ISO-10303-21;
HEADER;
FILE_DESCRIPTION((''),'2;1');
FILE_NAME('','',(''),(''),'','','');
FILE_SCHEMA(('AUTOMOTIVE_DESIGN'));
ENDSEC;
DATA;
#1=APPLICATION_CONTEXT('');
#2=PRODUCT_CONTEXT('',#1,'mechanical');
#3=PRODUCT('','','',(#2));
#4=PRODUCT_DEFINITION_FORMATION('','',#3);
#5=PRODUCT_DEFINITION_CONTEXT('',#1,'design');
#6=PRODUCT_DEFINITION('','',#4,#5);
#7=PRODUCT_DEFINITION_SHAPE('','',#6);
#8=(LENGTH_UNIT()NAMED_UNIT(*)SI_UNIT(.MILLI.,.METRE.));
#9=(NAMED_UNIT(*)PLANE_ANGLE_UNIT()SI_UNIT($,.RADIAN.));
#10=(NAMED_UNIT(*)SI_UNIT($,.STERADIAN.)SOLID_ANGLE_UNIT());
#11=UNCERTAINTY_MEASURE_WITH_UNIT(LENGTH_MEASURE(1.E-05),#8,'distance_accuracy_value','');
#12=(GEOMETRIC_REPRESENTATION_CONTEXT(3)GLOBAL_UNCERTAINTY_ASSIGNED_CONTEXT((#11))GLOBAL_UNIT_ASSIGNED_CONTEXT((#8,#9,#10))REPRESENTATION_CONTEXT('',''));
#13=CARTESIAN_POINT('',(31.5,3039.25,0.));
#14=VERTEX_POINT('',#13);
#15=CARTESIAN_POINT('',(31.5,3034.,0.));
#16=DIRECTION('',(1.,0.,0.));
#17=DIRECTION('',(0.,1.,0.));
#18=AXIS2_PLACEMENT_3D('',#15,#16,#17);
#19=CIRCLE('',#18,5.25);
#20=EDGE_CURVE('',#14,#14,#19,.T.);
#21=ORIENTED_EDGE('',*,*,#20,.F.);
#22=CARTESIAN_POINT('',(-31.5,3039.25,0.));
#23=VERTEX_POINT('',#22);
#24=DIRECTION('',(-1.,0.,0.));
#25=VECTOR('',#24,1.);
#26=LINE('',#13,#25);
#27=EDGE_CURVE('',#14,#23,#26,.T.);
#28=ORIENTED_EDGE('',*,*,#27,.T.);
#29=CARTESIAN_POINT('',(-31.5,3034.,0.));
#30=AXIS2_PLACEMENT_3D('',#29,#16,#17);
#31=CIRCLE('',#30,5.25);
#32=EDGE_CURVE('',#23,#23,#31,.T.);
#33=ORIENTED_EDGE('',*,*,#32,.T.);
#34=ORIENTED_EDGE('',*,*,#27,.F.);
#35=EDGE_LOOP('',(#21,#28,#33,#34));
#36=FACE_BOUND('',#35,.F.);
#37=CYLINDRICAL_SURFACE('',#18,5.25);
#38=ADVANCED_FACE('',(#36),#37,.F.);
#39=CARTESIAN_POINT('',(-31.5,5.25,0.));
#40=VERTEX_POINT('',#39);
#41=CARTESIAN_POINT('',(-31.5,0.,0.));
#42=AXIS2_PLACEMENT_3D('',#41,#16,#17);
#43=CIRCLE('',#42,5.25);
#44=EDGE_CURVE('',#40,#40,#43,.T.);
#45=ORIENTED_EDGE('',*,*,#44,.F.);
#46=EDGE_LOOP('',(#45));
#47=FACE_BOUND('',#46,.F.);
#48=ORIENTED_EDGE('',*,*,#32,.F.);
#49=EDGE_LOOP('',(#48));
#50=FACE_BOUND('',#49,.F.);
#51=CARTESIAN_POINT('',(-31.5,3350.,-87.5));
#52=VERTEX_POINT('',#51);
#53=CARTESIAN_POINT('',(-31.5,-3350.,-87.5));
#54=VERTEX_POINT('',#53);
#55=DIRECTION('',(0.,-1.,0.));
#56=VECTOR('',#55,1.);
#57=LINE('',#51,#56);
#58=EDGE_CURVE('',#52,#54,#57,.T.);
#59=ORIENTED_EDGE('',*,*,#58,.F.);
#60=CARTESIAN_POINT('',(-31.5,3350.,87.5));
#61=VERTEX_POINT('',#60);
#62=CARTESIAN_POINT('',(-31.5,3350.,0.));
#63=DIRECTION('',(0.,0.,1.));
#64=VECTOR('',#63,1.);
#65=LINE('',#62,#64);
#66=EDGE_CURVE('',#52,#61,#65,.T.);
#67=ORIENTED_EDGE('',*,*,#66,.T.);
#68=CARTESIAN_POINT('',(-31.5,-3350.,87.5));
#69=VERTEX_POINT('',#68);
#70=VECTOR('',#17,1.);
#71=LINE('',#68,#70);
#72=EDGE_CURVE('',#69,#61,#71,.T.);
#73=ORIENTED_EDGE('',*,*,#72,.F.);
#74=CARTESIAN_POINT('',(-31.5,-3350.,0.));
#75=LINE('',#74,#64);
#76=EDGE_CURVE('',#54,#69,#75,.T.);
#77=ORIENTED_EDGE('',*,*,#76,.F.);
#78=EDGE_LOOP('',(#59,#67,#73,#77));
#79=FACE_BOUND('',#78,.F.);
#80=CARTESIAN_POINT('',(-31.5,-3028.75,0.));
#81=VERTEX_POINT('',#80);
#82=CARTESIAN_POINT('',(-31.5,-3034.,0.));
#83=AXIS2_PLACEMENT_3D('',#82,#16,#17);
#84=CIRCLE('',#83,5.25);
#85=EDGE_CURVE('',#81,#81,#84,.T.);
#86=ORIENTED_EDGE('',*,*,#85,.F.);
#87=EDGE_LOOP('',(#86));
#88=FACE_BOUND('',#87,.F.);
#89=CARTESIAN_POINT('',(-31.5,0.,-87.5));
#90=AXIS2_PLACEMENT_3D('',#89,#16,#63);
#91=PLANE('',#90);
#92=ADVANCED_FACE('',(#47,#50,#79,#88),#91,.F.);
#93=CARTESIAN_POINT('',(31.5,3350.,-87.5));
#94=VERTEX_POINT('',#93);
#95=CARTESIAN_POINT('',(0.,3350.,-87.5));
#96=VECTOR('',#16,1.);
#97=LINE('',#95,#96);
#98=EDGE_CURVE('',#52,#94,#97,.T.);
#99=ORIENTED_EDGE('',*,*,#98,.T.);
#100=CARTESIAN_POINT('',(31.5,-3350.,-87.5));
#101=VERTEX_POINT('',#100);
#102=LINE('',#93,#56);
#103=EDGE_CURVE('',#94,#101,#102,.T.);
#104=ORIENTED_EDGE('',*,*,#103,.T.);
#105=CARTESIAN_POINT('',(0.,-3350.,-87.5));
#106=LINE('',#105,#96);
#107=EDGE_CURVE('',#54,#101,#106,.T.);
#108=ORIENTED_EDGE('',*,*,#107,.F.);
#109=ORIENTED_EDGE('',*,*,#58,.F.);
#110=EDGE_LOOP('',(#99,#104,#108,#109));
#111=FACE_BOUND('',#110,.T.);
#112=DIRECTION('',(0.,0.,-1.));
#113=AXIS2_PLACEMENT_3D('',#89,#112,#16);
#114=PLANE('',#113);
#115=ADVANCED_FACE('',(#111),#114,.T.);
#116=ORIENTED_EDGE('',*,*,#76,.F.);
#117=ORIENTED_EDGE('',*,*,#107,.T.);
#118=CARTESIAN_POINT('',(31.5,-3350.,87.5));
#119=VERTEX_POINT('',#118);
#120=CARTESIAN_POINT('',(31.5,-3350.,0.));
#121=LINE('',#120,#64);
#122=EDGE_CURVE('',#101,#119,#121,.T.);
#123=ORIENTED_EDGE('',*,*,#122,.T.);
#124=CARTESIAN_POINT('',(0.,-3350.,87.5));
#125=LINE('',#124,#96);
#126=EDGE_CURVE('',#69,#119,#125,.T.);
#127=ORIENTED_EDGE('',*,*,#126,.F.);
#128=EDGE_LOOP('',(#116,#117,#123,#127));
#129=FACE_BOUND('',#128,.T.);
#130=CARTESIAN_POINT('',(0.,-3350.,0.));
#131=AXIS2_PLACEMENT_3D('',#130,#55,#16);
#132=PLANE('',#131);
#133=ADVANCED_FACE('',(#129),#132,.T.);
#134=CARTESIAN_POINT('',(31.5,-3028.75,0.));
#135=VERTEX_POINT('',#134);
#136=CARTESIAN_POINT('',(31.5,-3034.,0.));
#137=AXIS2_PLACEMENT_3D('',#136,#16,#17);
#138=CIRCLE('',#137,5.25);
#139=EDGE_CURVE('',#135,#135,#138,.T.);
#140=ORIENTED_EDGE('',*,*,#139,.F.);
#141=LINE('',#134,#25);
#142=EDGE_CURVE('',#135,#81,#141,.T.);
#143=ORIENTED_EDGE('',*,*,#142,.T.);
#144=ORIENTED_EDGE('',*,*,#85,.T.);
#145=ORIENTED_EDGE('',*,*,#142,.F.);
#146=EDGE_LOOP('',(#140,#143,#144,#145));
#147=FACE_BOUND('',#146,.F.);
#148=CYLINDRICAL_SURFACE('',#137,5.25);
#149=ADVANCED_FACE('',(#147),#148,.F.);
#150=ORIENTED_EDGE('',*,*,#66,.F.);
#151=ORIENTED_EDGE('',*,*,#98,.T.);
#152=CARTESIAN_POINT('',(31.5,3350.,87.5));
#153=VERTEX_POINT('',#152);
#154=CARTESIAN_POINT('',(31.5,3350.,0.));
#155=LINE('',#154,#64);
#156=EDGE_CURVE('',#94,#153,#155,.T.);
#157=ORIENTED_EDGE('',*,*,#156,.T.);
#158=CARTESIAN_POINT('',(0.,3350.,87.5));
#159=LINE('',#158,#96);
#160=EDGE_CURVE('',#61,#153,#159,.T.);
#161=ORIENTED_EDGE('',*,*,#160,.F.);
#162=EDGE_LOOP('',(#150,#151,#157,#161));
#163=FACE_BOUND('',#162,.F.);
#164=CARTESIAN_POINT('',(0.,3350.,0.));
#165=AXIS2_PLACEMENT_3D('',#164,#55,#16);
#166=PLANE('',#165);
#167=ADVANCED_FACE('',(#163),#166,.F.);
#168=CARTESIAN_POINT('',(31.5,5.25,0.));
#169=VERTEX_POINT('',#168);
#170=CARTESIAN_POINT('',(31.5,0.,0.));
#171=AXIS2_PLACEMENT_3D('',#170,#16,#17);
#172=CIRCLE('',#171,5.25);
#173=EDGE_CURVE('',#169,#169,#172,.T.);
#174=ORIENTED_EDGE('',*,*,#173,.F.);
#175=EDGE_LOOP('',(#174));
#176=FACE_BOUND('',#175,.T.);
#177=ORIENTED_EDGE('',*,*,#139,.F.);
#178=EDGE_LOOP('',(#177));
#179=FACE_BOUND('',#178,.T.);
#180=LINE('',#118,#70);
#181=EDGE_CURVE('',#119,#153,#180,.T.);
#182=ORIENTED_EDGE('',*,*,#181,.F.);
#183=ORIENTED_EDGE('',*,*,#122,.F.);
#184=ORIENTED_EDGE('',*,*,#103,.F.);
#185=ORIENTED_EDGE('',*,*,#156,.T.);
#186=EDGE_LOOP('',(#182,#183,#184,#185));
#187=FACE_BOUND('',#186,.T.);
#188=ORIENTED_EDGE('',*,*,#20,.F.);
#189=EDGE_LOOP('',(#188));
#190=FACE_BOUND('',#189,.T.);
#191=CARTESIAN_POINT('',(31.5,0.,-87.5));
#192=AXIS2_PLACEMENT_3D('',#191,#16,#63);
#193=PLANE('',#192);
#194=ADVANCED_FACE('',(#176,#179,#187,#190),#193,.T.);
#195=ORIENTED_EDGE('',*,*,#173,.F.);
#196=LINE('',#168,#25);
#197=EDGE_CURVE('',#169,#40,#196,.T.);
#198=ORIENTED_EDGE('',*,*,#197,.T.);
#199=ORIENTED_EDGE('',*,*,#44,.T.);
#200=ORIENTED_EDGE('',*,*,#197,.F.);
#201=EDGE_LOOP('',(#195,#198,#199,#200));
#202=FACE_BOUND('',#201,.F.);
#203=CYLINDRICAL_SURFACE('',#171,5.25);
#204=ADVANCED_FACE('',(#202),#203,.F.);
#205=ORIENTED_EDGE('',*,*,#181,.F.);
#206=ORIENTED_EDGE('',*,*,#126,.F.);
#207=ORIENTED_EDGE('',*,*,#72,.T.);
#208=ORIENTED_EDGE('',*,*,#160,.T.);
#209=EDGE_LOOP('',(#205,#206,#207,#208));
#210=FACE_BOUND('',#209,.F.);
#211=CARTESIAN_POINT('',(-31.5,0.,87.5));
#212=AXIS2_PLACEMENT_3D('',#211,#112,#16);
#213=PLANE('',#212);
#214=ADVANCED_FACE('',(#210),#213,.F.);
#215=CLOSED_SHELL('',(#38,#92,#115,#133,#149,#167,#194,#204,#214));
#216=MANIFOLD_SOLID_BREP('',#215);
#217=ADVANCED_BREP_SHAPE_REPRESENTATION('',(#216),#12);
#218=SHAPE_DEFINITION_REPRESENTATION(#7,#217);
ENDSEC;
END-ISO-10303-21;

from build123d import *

# Parameters (mm, degrees)
F0_W     = 63
F0_H     = 175
F1_DEPTH = 3350
F2_R     = 5.25
F3_DEPTH = 63.001


with BuildPart() as f1:
    # F0 (on Front) → F1 (new body, symmetric)
    with BuildSketch(Plane.XZ):
        Rectangle(F0_W, F0_H)
    extrude(amount=F1_DEPTH, both=True)

    # F2 (on face) → F3 (cut, through all)
    with BuildSketch(Plane.YZ.offset(31.5)):
        with Locations((-3034, 0)):
            Circle(F2_R)
        with Locations((3034, 0)):
            Circle(F2_R)
        Circle(F2_R)
    extrude(amount=-F3_DEPTH, mode=Mode.SUBTRACT)


solid = f1.part
